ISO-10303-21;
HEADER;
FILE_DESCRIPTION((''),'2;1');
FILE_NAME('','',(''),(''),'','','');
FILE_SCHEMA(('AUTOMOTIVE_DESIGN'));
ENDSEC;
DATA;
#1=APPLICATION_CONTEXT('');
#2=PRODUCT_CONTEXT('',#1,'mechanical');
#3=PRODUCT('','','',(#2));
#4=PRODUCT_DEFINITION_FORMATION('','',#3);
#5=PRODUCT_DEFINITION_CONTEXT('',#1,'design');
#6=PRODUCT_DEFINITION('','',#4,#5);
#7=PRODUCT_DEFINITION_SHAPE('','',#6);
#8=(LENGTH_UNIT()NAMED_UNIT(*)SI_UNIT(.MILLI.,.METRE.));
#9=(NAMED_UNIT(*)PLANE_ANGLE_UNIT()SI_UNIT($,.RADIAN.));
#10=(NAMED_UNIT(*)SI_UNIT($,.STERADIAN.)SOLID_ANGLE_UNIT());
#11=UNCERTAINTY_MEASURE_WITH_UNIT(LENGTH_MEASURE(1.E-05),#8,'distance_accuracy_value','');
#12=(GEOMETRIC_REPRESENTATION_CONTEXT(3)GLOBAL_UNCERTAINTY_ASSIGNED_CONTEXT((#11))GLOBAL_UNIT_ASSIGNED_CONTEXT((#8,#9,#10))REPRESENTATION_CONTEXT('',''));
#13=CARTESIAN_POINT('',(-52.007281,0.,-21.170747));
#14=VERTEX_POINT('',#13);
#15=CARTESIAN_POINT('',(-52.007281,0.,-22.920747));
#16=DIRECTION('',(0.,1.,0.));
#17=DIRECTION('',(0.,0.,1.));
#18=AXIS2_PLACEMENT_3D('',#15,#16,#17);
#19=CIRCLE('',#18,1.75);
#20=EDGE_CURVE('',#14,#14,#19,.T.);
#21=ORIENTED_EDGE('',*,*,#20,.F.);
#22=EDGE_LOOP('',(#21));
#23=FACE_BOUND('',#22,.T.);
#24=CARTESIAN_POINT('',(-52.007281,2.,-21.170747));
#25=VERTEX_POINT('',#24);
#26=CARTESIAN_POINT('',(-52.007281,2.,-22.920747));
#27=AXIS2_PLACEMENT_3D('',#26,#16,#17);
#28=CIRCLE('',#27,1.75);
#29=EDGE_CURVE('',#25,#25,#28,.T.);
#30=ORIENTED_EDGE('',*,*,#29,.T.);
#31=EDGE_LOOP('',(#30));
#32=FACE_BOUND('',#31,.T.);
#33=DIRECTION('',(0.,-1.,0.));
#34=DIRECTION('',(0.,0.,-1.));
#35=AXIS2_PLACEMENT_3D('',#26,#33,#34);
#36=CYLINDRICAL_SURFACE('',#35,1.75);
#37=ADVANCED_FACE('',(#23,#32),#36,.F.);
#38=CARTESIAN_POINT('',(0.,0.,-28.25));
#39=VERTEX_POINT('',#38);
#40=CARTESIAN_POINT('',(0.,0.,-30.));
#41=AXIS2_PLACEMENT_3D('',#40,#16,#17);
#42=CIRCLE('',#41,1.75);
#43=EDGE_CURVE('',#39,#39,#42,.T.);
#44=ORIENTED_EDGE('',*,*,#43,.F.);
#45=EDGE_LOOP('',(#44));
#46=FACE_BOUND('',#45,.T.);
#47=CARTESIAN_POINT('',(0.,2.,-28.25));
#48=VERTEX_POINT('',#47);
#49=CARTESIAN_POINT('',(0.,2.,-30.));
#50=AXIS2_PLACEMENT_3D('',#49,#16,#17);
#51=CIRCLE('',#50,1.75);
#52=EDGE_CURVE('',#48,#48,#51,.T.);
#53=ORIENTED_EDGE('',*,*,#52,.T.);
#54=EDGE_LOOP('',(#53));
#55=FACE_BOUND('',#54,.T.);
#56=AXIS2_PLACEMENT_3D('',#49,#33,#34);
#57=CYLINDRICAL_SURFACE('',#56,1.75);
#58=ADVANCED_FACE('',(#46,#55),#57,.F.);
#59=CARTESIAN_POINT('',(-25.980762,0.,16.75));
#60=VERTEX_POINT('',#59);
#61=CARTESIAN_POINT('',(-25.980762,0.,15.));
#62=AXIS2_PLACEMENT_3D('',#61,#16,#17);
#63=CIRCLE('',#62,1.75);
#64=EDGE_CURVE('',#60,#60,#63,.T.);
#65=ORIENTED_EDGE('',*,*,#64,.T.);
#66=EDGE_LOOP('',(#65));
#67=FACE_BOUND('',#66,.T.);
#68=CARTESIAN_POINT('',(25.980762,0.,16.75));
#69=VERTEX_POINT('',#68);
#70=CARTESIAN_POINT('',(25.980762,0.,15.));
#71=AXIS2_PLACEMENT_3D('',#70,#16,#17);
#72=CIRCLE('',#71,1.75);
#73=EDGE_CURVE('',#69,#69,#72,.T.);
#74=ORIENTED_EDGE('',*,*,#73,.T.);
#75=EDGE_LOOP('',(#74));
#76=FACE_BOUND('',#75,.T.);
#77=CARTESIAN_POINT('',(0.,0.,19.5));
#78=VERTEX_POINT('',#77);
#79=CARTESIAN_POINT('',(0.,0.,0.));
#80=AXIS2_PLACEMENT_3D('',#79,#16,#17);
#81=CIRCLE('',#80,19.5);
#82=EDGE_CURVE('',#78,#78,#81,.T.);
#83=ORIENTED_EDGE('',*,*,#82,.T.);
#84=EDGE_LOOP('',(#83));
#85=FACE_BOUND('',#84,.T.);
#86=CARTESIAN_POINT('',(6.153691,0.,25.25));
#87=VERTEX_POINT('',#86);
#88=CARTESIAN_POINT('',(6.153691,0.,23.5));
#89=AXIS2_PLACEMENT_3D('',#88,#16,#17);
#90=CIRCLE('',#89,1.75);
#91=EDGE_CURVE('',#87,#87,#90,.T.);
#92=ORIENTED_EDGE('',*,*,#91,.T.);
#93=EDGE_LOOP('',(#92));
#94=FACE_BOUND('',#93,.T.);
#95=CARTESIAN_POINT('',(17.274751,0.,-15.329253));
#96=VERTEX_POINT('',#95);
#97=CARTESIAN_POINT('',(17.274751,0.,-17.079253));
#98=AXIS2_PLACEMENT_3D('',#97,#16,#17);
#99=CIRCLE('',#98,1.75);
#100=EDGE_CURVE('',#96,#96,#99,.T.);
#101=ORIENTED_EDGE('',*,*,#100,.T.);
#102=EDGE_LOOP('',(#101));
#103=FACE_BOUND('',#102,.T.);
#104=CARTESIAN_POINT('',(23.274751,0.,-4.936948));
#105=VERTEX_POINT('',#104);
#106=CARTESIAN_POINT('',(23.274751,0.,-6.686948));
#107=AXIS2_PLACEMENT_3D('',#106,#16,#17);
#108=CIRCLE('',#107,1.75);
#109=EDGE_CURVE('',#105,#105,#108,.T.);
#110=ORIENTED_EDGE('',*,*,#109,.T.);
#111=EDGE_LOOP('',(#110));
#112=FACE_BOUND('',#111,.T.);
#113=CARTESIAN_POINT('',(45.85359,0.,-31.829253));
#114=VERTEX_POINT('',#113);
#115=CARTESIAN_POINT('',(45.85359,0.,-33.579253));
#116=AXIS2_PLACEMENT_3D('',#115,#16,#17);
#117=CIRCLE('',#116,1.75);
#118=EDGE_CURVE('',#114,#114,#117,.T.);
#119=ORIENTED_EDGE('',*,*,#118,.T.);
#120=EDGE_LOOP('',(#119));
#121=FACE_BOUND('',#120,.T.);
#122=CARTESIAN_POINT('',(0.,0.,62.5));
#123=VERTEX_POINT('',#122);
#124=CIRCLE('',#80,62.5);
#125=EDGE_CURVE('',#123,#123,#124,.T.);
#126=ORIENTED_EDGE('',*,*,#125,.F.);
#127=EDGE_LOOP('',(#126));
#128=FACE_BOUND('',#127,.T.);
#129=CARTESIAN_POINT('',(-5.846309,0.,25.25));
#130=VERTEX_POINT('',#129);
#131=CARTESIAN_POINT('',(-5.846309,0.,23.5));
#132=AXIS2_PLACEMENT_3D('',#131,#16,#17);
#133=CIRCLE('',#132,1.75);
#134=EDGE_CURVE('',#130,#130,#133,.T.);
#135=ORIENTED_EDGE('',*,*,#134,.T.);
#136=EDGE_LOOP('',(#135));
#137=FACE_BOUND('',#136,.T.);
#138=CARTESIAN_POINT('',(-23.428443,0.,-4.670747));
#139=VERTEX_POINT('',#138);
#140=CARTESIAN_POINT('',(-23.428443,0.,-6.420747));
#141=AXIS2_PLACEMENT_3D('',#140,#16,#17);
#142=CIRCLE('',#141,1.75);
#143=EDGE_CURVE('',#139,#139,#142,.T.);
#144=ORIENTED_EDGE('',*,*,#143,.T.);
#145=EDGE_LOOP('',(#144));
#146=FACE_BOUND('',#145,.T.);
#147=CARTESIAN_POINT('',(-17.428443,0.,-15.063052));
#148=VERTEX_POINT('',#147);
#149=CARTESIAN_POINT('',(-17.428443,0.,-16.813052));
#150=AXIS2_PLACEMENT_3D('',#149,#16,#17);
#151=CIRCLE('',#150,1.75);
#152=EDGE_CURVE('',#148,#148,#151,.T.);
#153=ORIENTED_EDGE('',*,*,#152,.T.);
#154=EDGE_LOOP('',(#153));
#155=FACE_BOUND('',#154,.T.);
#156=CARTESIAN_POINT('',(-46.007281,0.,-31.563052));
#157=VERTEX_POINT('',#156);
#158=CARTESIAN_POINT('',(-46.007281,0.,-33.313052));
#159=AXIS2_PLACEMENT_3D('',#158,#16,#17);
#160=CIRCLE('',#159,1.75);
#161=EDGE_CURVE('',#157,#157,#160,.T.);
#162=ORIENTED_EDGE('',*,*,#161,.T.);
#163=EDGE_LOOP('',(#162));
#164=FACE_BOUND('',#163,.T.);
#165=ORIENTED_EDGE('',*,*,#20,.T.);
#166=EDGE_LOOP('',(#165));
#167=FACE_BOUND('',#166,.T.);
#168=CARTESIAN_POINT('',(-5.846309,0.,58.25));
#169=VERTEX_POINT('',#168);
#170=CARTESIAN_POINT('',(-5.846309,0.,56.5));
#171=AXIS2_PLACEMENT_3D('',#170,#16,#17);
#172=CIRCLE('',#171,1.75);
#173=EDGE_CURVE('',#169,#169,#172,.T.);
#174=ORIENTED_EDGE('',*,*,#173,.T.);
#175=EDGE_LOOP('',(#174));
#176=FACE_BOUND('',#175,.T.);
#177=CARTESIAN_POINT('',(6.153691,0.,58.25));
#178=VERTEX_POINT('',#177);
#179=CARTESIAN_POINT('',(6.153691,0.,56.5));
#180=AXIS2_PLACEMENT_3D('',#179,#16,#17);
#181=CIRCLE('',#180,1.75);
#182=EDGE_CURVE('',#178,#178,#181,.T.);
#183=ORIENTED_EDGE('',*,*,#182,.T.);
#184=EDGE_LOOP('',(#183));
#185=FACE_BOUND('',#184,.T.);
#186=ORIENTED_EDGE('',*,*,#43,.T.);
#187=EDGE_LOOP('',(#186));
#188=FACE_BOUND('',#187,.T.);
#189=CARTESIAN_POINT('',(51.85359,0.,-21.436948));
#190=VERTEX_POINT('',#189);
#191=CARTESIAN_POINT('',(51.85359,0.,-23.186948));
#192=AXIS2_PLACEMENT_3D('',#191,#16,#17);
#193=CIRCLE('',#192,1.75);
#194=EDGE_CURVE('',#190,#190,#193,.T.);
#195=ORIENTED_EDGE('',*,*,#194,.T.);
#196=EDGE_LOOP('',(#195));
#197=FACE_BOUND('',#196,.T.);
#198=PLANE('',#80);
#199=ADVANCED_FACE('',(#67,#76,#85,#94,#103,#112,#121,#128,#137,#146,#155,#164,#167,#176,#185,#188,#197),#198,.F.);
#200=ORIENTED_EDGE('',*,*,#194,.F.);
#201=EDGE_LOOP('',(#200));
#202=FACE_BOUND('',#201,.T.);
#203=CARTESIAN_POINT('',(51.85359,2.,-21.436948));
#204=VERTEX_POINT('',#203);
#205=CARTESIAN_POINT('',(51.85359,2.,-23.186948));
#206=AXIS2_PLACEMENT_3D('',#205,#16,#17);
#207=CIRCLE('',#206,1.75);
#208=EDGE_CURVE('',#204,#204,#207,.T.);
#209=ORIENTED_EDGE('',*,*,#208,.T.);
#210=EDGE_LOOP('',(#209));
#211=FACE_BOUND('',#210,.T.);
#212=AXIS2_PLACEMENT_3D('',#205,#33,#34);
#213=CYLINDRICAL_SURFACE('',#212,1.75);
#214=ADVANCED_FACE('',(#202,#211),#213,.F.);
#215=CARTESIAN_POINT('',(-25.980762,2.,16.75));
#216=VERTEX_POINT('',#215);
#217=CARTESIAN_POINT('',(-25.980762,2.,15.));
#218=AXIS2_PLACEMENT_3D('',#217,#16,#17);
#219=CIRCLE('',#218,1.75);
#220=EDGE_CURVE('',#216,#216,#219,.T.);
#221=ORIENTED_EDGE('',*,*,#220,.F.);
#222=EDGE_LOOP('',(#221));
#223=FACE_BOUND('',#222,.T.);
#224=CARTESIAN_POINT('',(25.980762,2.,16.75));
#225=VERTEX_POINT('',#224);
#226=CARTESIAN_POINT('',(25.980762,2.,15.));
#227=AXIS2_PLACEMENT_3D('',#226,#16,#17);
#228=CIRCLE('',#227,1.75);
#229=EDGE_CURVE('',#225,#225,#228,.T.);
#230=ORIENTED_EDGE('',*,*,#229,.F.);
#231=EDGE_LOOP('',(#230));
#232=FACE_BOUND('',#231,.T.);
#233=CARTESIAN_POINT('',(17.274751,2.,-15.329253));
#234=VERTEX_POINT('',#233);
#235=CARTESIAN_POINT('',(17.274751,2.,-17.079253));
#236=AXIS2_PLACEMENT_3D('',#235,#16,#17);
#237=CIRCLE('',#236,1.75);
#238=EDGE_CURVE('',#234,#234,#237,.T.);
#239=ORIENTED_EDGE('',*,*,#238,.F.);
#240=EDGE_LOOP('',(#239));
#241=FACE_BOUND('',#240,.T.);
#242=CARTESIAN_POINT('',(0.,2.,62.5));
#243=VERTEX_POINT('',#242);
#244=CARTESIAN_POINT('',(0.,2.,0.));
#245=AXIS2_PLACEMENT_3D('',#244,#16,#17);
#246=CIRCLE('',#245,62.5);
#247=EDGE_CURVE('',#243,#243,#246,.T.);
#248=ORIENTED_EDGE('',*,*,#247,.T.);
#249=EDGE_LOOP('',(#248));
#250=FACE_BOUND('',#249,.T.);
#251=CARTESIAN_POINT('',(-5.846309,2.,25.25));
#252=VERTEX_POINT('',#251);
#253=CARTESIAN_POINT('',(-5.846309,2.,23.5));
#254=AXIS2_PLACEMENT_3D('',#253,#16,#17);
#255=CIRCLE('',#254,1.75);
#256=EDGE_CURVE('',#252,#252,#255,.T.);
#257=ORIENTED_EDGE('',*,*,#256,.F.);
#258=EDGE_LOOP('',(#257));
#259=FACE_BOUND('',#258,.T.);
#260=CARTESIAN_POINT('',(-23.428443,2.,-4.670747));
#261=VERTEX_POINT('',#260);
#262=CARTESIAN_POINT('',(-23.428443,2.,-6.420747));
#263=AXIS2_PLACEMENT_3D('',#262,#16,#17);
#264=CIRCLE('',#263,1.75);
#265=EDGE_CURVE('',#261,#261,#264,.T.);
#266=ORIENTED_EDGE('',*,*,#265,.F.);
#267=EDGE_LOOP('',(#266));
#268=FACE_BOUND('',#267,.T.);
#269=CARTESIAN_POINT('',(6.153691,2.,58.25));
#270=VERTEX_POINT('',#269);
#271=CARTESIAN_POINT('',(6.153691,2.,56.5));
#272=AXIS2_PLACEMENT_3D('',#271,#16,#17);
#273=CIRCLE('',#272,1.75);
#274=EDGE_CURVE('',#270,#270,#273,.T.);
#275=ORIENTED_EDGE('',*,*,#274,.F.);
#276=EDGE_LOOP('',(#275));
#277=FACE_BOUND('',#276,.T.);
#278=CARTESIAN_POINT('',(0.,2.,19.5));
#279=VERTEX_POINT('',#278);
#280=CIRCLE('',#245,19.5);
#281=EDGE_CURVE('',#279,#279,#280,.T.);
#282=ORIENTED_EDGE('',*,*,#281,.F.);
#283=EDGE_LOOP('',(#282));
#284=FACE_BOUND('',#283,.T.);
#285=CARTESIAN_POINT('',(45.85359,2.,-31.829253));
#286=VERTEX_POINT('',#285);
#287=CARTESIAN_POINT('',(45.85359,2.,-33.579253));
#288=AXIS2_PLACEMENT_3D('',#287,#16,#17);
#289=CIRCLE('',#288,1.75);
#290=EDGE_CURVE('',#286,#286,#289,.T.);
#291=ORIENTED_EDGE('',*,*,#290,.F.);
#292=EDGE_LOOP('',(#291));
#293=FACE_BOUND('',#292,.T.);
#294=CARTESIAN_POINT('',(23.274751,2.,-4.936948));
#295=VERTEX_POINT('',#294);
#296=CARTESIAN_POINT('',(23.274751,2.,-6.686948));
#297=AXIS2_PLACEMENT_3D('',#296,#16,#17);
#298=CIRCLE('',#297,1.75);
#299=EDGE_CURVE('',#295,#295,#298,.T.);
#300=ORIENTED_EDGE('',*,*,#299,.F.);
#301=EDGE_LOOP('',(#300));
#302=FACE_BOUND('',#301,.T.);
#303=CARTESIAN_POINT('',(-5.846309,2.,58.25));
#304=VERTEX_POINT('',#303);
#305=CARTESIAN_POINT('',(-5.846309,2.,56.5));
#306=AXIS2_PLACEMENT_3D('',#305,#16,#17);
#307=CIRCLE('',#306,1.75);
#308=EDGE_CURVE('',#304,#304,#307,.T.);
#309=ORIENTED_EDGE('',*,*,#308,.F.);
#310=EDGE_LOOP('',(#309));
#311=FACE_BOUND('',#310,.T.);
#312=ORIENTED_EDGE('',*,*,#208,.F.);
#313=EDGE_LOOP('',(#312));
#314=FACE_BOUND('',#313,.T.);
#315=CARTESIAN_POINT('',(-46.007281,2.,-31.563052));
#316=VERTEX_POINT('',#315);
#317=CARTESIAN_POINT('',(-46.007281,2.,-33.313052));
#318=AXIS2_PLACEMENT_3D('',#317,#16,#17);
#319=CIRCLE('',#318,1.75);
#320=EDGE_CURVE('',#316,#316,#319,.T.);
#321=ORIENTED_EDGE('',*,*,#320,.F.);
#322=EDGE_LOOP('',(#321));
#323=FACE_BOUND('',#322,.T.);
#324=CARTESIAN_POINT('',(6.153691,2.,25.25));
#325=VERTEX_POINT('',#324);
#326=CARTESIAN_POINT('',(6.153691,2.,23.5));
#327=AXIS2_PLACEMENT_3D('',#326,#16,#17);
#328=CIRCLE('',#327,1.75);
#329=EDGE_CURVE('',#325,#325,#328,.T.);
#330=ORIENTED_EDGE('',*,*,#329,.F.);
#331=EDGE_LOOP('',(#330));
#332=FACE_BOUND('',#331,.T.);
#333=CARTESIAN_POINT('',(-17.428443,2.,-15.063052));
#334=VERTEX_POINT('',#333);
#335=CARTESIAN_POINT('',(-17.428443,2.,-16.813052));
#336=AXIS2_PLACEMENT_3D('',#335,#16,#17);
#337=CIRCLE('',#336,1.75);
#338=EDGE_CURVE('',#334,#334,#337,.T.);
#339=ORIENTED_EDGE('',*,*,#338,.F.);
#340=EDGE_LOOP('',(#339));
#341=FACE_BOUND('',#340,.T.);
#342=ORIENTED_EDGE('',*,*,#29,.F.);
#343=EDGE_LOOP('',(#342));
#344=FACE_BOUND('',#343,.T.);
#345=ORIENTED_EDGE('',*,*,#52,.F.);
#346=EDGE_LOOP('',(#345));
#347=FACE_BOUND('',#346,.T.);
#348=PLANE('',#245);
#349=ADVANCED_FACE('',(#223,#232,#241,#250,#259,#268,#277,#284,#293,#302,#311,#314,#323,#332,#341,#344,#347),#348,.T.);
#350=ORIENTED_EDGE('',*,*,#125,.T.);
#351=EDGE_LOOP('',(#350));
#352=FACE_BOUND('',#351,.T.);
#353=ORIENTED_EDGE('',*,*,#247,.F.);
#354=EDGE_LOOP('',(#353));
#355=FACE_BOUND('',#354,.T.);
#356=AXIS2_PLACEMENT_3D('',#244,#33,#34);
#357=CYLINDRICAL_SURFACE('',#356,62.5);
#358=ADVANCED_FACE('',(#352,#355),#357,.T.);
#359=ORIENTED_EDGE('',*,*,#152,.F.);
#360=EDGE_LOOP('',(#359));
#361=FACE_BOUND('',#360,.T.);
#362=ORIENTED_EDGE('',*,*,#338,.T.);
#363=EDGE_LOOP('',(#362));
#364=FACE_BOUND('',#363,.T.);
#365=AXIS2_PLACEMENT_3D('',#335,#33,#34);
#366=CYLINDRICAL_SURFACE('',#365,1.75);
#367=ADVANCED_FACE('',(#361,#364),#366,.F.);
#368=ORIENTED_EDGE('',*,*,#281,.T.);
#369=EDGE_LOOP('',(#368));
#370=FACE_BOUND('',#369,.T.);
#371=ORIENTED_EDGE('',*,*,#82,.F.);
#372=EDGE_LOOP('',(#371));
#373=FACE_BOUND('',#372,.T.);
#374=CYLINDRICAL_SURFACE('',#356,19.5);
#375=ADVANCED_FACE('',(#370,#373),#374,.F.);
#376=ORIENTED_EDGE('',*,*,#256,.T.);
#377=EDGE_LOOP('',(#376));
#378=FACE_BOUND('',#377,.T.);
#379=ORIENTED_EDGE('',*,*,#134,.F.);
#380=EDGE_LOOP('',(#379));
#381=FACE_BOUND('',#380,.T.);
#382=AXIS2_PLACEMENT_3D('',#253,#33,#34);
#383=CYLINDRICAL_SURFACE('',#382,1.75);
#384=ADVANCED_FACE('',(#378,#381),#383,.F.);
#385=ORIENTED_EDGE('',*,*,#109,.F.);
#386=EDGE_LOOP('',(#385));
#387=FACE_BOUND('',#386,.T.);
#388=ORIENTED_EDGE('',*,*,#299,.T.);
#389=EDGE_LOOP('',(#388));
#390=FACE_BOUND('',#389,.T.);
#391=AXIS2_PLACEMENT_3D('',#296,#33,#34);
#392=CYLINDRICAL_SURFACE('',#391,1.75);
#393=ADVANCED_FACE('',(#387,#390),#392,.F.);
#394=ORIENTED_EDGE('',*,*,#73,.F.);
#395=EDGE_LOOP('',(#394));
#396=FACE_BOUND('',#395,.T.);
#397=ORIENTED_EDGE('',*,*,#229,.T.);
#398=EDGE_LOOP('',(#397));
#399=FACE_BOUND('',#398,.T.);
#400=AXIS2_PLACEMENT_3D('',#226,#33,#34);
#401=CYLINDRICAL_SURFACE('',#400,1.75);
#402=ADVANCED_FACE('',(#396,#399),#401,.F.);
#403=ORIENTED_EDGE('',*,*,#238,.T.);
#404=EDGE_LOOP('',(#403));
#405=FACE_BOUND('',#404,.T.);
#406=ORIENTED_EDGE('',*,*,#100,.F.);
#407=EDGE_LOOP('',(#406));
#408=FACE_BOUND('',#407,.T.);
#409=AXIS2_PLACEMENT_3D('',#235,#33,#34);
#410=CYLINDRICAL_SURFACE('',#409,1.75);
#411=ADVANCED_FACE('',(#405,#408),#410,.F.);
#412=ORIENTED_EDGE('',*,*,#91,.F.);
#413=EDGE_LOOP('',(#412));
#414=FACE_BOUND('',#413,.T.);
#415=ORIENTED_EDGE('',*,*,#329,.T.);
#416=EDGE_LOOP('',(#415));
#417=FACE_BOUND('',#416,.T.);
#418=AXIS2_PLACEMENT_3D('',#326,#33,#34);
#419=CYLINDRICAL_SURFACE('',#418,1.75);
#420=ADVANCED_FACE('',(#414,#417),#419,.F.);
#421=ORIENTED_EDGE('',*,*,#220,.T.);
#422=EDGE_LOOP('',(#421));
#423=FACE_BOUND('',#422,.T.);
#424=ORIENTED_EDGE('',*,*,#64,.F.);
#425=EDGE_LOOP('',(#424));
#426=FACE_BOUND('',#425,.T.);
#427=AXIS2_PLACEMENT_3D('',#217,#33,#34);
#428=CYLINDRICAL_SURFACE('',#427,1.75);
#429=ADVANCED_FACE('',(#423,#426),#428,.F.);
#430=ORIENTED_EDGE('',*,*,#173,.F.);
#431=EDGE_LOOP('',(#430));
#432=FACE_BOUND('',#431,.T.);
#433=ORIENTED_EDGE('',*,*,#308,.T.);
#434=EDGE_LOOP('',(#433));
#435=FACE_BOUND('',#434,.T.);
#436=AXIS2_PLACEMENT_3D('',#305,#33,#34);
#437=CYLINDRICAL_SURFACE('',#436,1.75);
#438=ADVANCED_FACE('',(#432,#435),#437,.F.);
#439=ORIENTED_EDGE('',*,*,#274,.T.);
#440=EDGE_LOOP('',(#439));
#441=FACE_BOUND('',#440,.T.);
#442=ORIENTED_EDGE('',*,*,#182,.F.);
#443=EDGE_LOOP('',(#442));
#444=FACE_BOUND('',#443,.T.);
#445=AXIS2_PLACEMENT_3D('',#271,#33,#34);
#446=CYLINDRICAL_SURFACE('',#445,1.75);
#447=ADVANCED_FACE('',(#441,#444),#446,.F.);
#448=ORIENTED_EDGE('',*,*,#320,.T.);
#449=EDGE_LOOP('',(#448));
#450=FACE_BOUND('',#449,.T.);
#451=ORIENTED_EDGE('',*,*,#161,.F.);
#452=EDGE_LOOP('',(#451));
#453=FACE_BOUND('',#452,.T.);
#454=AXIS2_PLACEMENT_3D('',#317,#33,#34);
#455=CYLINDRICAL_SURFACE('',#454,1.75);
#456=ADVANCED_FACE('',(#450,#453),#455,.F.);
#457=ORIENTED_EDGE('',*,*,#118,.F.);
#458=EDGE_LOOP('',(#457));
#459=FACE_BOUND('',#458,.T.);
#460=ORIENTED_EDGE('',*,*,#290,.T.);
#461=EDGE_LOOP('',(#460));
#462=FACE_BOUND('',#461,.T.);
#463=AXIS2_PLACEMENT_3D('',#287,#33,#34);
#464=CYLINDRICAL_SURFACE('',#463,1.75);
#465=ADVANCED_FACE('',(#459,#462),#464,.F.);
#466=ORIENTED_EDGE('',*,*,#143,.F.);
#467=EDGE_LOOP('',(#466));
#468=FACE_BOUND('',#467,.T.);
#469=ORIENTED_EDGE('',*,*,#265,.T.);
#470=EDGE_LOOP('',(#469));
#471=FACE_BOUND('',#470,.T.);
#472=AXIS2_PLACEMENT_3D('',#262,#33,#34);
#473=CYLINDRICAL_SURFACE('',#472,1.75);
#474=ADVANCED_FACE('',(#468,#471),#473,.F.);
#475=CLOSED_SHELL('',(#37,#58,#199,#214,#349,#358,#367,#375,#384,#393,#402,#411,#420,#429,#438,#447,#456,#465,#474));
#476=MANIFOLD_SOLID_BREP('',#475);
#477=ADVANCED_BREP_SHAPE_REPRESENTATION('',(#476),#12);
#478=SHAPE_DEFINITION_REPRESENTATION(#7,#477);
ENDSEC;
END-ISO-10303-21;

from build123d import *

# Parameters (mm, degrees)
SKETCH1_R           = 62.5
SKETCH1_R_2         = 1.75
SKETCH1_R_3         = 19.5
BOSS_EXTRUDE1_DEPTH = 2


with BuildPart() as part:
    # Sketch1 → Boss-Extrude1 (new body)
    with BuildSketch(Plane(origin=(0, 0, 0), x_dir=(1, 0, 0), z_dir=(0, 1, 0))):
        with Locations(Location((0, 0, 0), (0, 0, 270))):
            Circle(SKETCH1_R)
        with Locations(Location((6.153691309, -23.5, 0), (0, 0, 270))):
            Circle(SKETCH1_R_2, mode=Mode.SUBTRACT)
        with Locations(Location((-5.846308691, -23.5, 0), (0, 0, 270))):
            Circle(SKETCH1_R_2, mode=Mode.SUBTRACT)
        with Locations(Location((6.153691309, -56.5, 0), (0, 0, 270))):
            Circle(SKETCH1_R_2, mode=Mode.SUBTRACT)
        with Locations(Location((-5.846308691, -56.5, 0), (0, 0, 270))):
            Circle(SKETCH1_R_2, mode=Mode.SUBTRACT)
        with Locations(Location((-46.007280968, 33.313051845, 0), (0, 0, 270))):
            Circle(SKETCH1_R_2, mode=Mode.SUBTRACT)
        with Locations(Location((-23.428442643, 6.420747, 0), (0, 0, 270))):
            Circle(SKETCH1_R_2, mode=Mode.SUBTRACT)
        with Locations(Location((-17.428442643, 16.813051845, 0), (0, 0, 270))):
            Circle(SKETCH1_R_2, mode=Mode.SUBTRACT)
        with Locations(Location((-52.007280968, 22.920747, 0), (0, 0, 270))):
            Circle(SKETCH1_R_2, mode=Mode.SUBTRACT)
        with Locations(Location((51.853589659, 23.186948155, 0), (0, 0, 270))):
            Circle(SKETCH1_R_2, mode=Mode.SUBTRACT)
        with Locations(Location((17.274751335, 17.079253, 0), (0, 0, 270))):
            Circle(SKETCH1_R_2, mode=Mode.SUBTRACT)
        with Locations(Location((23.274751335, 6.686948155, 0), (0, 0, 270))):
            Circle(SKETCH1_R_2, mode=Mode.SUBTRACT)
        with Locations(Location((45.853589659, 33.579253, 0), (0, 0, 270))):
            Circle(SKETCH1_R_2, mode=Mode.SUBTRACT)
        with Locations(Location((0, 0, 0), (0, 0, 270))):
            Circle(SKETCH1_R_3, mode=Mode.SUBTRACT)
        with Locations(Location((0, 30, 0), (0, 0, 270))):
            Circle(SKETCH1_R_2, mode=Mode.SUBTRACT)
        with Locations(Location((25.980762114, -15, 0), (0, 0, 270))):
            Circle(SKETCH1_R_2, mode=Mode.SUBTRACT)
        with Locations(Location((-25.980762114, -15, 0), (0, 0, 270))):
            Circle(SKETCH1_R_2, mode=Mode.SUBTRACT)
    extrude(amount=BOSS_EXTRUDE1_DEPTH)


solid = part.part
